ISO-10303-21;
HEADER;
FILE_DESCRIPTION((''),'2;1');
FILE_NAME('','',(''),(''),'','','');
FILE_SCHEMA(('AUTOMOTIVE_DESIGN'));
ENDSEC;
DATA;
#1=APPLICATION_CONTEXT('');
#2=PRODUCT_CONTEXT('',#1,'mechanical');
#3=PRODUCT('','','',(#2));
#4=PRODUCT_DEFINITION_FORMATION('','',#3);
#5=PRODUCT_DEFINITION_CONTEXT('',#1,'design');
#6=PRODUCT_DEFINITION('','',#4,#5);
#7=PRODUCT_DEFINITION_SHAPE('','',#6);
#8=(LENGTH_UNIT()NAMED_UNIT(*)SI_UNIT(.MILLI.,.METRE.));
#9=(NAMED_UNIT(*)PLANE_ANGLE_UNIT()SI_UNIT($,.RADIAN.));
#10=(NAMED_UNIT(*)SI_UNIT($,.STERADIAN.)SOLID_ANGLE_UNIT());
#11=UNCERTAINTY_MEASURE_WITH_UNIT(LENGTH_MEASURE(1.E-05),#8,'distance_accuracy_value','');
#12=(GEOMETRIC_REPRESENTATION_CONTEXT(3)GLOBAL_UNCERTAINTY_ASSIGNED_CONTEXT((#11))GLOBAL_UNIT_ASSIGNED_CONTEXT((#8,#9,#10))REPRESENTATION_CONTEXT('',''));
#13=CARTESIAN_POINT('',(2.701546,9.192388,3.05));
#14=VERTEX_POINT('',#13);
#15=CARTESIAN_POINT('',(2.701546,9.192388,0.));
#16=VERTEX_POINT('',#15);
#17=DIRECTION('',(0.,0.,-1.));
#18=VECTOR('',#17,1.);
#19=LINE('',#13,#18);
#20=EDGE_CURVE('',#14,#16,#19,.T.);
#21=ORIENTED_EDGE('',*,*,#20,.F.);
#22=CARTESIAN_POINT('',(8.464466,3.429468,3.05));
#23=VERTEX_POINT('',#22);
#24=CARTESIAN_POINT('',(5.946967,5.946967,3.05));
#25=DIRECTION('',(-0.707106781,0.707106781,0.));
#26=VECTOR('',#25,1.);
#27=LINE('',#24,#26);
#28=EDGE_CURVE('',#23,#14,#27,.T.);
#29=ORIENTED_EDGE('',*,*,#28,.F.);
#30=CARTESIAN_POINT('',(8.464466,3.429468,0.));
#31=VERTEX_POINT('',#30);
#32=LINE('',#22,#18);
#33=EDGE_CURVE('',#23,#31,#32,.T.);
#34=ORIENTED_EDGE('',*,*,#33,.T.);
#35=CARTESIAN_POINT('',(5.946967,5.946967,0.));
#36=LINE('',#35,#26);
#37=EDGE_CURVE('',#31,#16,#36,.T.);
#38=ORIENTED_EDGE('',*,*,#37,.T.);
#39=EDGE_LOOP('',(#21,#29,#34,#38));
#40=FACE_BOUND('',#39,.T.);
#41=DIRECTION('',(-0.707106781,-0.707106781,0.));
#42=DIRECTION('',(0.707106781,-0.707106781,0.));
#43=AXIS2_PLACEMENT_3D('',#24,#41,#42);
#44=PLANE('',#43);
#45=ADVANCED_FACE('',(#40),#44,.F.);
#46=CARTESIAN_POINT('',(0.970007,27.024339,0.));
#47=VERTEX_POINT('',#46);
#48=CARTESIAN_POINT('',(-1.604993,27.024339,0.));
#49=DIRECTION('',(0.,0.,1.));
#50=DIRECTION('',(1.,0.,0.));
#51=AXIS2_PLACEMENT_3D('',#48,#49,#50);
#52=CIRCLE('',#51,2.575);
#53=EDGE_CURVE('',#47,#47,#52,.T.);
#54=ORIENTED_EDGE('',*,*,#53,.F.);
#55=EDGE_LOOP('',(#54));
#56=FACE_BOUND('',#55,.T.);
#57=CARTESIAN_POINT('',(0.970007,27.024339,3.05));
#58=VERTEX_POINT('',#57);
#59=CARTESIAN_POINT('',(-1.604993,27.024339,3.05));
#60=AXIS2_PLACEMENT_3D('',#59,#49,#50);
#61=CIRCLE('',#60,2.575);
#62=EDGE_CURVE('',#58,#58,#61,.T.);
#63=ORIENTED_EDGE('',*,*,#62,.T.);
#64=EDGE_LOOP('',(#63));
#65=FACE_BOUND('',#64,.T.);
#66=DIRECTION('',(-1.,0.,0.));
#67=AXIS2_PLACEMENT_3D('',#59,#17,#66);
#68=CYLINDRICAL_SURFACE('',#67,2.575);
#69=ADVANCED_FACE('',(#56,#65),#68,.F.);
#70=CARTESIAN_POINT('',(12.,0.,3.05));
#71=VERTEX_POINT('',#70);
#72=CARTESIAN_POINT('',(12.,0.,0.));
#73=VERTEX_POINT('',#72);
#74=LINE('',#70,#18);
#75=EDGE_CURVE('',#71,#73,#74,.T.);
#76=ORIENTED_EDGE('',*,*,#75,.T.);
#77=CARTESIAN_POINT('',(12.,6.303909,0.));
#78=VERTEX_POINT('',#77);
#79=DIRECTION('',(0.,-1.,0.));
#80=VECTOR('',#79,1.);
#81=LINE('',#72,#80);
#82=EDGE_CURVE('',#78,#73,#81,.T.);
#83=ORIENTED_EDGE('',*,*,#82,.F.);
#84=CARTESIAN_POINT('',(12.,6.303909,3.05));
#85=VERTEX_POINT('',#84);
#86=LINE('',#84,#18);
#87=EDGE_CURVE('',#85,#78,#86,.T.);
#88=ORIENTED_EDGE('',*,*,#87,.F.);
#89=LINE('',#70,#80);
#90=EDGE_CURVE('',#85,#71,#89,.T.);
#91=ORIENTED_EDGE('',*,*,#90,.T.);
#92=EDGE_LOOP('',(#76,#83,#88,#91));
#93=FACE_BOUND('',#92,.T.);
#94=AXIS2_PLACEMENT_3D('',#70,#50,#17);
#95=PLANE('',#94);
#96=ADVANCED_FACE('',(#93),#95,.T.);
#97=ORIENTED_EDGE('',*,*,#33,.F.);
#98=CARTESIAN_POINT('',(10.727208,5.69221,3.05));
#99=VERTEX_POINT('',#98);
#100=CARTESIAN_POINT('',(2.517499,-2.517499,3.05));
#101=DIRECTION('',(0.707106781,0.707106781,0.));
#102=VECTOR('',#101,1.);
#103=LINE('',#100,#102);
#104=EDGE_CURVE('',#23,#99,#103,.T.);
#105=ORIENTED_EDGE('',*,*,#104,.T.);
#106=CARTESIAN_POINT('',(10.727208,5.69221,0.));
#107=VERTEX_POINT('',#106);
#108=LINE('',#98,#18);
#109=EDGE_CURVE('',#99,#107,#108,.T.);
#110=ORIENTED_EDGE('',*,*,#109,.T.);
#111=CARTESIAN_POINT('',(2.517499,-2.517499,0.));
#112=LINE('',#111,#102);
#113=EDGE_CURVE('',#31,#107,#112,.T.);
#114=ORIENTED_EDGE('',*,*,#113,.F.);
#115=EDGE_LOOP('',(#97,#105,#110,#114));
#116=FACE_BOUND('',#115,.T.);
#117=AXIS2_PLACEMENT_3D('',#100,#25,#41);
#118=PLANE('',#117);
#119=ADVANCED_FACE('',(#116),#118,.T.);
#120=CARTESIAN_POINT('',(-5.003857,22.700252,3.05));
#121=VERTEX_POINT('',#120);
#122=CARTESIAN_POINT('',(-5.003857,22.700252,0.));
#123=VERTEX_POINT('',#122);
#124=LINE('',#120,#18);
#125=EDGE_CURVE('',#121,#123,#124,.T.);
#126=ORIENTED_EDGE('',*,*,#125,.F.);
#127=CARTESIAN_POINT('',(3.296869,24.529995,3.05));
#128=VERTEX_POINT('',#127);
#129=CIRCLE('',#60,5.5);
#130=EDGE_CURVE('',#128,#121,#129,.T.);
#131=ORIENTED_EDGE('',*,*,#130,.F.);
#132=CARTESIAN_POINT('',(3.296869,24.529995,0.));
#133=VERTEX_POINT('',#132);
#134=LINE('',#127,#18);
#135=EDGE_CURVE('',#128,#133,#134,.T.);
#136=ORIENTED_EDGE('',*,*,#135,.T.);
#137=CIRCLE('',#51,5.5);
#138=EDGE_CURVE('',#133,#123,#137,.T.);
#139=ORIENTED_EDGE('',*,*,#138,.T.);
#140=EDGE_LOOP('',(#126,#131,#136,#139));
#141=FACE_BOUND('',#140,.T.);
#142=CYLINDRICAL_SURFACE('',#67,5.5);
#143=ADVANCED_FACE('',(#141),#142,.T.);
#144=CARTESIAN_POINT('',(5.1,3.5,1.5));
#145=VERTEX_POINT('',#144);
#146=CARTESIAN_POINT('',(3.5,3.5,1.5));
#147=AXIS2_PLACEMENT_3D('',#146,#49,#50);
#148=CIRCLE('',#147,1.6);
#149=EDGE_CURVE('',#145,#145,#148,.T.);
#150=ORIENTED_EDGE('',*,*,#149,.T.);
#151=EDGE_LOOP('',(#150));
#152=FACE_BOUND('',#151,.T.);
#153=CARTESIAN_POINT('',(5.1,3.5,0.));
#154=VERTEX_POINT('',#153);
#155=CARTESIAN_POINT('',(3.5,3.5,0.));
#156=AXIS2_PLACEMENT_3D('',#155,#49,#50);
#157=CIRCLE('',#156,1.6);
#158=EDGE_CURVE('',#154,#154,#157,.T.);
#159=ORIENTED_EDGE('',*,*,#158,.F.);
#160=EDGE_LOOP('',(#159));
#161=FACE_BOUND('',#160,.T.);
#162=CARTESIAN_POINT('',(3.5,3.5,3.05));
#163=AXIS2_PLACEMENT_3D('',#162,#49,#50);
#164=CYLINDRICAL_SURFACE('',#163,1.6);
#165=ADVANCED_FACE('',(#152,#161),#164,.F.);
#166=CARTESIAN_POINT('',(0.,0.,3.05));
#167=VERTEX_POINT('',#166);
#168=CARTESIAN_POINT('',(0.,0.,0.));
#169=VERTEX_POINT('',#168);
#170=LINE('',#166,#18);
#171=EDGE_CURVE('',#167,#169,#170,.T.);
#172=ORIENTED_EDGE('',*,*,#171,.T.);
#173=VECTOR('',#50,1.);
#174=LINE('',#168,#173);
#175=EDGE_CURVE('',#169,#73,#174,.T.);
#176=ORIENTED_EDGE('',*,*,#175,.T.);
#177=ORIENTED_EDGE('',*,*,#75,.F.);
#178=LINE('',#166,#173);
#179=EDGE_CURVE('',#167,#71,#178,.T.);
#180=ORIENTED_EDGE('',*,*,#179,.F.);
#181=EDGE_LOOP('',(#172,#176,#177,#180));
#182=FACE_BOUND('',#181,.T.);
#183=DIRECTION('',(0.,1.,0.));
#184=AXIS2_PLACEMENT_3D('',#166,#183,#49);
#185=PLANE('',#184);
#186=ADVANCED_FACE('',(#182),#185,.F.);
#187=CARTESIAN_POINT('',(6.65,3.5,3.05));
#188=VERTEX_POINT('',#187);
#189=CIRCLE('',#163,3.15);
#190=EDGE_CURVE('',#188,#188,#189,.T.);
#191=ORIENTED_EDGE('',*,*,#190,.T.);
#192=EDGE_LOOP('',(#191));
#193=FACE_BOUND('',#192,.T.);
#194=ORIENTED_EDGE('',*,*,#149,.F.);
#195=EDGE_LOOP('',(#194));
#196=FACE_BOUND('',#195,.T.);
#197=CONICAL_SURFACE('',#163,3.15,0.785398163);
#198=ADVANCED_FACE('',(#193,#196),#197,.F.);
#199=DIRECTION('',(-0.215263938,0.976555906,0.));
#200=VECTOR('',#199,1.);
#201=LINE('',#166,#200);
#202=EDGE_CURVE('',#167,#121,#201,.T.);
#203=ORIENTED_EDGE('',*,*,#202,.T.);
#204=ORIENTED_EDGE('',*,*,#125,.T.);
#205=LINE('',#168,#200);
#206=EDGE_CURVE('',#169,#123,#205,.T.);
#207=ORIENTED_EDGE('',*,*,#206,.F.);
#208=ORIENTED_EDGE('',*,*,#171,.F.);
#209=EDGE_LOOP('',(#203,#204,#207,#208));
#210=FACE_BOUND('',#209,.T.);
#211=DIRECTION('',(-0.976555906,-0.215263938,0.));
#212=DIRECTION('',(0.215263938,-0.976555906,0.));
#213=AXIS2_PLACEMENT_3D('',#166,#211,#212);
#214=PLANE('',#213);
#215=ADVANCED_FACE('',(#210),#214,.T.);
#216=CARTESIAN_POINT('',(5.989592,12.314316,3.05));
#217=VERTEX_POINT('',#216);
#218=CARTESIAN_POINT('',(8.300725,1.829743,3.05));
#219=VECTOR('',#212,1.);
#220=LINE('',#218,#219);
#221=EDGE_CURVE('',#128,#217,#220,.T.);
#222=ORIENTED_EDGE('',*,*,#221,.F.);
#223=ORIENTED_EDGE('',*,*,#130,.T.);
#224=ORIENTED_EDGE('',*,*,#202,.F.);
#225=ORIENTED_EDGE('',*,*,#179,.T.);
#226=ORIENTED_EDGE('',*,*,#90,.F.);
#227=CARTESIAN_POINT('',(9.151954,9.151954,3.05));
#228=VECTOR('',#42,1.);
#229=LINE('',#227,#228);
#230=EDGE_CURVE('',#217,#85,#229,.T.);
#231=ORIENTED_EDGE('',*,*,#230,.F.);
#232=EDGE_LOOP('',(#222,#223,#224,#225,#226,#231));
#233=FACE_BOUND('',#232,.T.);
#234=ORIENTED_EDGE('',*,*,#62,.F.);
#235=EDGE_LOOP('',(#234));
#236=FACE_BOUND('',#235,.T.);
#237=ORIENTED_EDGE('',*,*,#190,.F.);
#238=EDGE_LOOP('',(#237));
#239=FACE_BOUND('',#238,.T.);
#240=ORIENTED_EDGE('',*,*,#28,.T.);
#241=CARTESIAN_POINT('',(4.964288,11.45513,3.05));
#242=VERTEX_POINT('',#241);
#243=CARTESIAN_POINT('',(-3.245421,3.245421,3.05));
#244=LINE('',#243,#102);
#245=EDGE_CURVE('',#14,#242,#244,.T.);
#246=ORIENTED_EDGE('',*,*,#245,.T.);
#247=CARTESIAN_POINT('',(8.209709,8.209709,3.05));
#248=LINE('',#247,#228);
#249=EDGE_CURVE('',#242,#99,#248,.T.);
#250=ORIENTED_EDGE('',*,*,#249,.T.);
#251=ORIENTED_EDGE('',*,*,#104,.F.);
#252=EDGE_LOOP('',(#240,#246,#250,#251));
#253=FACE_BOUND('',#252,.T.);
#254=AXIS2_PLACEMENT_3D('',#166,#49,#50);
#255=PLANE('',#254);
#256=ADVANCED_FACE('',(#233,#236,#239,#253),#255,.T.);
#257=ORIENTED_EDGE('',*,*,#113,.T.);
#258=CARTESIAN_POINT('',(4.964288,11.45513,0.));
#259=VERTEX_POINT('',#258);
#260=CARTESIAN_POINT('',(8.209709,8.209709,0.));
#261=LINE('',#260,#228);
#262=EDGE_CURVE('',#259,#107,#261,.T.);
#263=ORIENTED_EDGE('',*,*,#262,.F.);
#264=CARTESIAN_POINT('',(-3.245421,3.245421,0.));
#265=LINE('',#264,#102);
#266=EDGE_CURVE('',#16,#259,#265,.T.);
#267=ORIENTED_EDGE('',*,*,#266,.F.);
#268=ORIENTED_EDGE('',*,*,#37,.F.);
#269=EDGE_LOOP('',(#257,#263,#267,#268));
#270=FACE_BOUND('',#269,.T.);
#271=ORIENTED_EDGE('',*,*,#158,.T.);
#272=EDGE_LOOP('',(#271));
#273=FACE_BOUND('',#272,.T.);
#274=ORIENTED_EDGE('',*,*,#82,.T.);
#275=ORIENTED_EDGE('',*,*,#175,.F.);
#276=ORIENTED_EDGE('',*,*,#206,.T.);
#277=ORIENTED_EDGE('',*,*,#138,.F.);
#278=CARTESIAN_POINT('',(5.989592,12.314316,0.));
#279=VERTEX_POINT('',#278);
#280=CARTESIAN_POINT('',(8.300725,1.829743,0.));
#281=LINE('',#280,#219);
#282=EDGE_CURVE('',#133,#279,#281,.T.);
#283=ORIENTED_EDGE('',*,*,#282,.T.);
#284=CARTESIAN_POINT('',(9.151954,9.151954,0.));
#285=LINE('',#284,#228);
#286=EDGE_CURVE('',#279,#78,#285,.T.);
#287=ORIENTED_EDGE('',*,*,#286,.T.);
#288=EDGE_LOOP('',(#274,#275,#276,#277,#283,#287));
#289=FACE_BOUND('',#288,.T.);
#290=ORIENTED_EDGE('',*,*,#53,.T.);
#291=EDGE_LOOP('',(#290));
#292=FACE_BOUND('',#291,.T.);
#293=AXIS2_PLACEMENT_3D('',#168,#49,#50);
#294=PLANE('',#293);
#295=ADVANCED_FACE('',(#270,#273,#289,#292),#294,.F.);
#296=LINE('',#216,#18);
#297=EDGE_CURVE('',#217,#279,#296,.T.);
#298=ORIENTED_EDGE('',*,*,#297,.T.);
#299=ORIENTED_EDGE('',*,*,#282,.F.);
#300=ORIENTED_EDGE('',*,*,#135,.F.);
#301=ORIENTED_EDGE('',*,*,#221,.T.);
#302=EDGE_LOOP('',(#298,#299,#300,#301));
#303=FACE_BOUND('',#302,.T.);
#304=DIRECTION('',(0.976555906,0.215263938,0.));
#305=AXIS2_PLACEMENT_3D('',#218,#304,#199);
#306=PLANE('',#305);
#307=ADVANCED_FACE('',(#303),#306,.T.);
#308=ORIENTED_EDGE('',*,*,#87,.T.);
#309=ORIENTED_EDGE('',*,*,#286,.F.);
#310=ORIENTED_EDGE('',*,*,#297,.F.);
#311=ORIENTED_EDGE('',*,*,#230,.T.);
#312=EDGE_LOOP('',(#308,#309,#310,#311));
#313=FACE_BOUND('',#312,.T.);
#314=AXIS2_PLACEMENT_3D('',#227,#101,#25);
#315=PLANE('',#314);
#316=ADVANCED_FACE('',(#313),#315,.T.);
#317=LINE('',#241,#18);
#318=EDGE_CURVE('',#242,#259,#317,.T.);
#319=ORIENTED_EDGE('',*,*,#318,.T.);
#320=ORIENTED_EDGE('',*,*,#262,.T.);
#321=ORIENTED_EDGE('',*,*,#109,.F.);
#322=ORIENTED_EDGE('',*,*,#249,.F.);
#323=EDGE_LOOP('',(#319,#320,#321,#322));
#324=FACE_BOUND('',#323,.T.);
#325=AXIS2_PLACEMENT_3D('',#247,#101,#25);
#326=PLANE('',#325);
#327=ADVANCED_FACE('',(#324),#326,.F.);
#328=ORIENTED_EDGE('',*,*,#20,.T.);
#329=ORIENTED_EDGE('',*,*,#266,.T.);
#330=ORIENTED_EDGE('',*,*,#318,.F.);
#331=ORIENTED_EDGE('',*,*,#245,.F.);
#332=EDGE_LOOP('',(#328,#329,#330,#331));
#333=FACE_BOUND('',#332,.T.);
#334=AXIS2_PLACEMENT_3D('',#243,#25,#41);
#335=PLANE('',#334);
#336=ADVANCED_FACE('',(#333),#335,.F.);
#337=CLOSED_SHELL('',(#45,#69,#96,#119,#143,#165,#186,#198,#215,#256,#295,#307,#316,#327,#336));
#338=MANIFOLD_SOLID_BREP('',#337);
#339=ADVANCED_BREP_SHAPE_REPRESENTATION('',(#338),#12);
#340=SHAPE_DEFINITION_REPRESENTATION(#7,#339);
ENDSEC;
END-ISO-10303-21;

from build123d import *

# Parameters (mm, degrees)
SKETCH1_R           = 1.5
SKETCH1_R_2         = 2.575
BOSS_EXTRUDE1_DEPTH = 3.05


with BuildPart() as part:
    # Sketch1 → Boss-Extrude1 (new body)
    with BuildSketch(Plane.XY):
        with BuildLine():
            Line((-5.003856518, 22.700252006), (0, 0))
            Line((0, 0), (12, 0))
            Line((12, 0), (12, 6.303908615))
            Line((12, 6.303908615), (5.98959236, 12.314316255))
            Line((5.98959236, 12.314316255), (3.296868681, 24.529995477))
            ThreePointArc((3.296868681, 24.529995477), (-2.788944901, 32.395396494), (-5.003856518, 22.700252006))
        make_face()
        with Locations((3.5, 3.5)):
            Circle(SKETCH1_R, mode=Mode.SUBTRACT)
        Polygon((10.727207794, 5.692209589), (8.517499103, 3.482500897), (8.464466094, 3.429467889), (2.701545827, 9.192388155), (4.964287527, 11.455129855), align=None, mode=Mode.SUBTRACT)
        with Locations((-1.604993243, 27.024339012)):
            Circle(SKETCH1_R_2, mode=Mode.SUBTRACT)
    extrude(amount=BOSS_EXTRUDE1_DEPTH)

    # Sketch3 → CSK for M3 Flat Head Machine Screw1 (revolve, cut)
    with BuildSketch(Plane(origin=(3.5, 3.5, 3.05), x_dir=(0, -1, 0), z_dir=(1, 0, 0))):
        Polygon((0, 0), (0, 3.05), (1.6, 3.05), (1.6, 1.55), (3.15, 0), align=None)
    revolve(axis=Axis((3.5, 3.5, 9.4), (0, 0, -1)), mode=Mode.SUBTRACT)


solid = part.part
